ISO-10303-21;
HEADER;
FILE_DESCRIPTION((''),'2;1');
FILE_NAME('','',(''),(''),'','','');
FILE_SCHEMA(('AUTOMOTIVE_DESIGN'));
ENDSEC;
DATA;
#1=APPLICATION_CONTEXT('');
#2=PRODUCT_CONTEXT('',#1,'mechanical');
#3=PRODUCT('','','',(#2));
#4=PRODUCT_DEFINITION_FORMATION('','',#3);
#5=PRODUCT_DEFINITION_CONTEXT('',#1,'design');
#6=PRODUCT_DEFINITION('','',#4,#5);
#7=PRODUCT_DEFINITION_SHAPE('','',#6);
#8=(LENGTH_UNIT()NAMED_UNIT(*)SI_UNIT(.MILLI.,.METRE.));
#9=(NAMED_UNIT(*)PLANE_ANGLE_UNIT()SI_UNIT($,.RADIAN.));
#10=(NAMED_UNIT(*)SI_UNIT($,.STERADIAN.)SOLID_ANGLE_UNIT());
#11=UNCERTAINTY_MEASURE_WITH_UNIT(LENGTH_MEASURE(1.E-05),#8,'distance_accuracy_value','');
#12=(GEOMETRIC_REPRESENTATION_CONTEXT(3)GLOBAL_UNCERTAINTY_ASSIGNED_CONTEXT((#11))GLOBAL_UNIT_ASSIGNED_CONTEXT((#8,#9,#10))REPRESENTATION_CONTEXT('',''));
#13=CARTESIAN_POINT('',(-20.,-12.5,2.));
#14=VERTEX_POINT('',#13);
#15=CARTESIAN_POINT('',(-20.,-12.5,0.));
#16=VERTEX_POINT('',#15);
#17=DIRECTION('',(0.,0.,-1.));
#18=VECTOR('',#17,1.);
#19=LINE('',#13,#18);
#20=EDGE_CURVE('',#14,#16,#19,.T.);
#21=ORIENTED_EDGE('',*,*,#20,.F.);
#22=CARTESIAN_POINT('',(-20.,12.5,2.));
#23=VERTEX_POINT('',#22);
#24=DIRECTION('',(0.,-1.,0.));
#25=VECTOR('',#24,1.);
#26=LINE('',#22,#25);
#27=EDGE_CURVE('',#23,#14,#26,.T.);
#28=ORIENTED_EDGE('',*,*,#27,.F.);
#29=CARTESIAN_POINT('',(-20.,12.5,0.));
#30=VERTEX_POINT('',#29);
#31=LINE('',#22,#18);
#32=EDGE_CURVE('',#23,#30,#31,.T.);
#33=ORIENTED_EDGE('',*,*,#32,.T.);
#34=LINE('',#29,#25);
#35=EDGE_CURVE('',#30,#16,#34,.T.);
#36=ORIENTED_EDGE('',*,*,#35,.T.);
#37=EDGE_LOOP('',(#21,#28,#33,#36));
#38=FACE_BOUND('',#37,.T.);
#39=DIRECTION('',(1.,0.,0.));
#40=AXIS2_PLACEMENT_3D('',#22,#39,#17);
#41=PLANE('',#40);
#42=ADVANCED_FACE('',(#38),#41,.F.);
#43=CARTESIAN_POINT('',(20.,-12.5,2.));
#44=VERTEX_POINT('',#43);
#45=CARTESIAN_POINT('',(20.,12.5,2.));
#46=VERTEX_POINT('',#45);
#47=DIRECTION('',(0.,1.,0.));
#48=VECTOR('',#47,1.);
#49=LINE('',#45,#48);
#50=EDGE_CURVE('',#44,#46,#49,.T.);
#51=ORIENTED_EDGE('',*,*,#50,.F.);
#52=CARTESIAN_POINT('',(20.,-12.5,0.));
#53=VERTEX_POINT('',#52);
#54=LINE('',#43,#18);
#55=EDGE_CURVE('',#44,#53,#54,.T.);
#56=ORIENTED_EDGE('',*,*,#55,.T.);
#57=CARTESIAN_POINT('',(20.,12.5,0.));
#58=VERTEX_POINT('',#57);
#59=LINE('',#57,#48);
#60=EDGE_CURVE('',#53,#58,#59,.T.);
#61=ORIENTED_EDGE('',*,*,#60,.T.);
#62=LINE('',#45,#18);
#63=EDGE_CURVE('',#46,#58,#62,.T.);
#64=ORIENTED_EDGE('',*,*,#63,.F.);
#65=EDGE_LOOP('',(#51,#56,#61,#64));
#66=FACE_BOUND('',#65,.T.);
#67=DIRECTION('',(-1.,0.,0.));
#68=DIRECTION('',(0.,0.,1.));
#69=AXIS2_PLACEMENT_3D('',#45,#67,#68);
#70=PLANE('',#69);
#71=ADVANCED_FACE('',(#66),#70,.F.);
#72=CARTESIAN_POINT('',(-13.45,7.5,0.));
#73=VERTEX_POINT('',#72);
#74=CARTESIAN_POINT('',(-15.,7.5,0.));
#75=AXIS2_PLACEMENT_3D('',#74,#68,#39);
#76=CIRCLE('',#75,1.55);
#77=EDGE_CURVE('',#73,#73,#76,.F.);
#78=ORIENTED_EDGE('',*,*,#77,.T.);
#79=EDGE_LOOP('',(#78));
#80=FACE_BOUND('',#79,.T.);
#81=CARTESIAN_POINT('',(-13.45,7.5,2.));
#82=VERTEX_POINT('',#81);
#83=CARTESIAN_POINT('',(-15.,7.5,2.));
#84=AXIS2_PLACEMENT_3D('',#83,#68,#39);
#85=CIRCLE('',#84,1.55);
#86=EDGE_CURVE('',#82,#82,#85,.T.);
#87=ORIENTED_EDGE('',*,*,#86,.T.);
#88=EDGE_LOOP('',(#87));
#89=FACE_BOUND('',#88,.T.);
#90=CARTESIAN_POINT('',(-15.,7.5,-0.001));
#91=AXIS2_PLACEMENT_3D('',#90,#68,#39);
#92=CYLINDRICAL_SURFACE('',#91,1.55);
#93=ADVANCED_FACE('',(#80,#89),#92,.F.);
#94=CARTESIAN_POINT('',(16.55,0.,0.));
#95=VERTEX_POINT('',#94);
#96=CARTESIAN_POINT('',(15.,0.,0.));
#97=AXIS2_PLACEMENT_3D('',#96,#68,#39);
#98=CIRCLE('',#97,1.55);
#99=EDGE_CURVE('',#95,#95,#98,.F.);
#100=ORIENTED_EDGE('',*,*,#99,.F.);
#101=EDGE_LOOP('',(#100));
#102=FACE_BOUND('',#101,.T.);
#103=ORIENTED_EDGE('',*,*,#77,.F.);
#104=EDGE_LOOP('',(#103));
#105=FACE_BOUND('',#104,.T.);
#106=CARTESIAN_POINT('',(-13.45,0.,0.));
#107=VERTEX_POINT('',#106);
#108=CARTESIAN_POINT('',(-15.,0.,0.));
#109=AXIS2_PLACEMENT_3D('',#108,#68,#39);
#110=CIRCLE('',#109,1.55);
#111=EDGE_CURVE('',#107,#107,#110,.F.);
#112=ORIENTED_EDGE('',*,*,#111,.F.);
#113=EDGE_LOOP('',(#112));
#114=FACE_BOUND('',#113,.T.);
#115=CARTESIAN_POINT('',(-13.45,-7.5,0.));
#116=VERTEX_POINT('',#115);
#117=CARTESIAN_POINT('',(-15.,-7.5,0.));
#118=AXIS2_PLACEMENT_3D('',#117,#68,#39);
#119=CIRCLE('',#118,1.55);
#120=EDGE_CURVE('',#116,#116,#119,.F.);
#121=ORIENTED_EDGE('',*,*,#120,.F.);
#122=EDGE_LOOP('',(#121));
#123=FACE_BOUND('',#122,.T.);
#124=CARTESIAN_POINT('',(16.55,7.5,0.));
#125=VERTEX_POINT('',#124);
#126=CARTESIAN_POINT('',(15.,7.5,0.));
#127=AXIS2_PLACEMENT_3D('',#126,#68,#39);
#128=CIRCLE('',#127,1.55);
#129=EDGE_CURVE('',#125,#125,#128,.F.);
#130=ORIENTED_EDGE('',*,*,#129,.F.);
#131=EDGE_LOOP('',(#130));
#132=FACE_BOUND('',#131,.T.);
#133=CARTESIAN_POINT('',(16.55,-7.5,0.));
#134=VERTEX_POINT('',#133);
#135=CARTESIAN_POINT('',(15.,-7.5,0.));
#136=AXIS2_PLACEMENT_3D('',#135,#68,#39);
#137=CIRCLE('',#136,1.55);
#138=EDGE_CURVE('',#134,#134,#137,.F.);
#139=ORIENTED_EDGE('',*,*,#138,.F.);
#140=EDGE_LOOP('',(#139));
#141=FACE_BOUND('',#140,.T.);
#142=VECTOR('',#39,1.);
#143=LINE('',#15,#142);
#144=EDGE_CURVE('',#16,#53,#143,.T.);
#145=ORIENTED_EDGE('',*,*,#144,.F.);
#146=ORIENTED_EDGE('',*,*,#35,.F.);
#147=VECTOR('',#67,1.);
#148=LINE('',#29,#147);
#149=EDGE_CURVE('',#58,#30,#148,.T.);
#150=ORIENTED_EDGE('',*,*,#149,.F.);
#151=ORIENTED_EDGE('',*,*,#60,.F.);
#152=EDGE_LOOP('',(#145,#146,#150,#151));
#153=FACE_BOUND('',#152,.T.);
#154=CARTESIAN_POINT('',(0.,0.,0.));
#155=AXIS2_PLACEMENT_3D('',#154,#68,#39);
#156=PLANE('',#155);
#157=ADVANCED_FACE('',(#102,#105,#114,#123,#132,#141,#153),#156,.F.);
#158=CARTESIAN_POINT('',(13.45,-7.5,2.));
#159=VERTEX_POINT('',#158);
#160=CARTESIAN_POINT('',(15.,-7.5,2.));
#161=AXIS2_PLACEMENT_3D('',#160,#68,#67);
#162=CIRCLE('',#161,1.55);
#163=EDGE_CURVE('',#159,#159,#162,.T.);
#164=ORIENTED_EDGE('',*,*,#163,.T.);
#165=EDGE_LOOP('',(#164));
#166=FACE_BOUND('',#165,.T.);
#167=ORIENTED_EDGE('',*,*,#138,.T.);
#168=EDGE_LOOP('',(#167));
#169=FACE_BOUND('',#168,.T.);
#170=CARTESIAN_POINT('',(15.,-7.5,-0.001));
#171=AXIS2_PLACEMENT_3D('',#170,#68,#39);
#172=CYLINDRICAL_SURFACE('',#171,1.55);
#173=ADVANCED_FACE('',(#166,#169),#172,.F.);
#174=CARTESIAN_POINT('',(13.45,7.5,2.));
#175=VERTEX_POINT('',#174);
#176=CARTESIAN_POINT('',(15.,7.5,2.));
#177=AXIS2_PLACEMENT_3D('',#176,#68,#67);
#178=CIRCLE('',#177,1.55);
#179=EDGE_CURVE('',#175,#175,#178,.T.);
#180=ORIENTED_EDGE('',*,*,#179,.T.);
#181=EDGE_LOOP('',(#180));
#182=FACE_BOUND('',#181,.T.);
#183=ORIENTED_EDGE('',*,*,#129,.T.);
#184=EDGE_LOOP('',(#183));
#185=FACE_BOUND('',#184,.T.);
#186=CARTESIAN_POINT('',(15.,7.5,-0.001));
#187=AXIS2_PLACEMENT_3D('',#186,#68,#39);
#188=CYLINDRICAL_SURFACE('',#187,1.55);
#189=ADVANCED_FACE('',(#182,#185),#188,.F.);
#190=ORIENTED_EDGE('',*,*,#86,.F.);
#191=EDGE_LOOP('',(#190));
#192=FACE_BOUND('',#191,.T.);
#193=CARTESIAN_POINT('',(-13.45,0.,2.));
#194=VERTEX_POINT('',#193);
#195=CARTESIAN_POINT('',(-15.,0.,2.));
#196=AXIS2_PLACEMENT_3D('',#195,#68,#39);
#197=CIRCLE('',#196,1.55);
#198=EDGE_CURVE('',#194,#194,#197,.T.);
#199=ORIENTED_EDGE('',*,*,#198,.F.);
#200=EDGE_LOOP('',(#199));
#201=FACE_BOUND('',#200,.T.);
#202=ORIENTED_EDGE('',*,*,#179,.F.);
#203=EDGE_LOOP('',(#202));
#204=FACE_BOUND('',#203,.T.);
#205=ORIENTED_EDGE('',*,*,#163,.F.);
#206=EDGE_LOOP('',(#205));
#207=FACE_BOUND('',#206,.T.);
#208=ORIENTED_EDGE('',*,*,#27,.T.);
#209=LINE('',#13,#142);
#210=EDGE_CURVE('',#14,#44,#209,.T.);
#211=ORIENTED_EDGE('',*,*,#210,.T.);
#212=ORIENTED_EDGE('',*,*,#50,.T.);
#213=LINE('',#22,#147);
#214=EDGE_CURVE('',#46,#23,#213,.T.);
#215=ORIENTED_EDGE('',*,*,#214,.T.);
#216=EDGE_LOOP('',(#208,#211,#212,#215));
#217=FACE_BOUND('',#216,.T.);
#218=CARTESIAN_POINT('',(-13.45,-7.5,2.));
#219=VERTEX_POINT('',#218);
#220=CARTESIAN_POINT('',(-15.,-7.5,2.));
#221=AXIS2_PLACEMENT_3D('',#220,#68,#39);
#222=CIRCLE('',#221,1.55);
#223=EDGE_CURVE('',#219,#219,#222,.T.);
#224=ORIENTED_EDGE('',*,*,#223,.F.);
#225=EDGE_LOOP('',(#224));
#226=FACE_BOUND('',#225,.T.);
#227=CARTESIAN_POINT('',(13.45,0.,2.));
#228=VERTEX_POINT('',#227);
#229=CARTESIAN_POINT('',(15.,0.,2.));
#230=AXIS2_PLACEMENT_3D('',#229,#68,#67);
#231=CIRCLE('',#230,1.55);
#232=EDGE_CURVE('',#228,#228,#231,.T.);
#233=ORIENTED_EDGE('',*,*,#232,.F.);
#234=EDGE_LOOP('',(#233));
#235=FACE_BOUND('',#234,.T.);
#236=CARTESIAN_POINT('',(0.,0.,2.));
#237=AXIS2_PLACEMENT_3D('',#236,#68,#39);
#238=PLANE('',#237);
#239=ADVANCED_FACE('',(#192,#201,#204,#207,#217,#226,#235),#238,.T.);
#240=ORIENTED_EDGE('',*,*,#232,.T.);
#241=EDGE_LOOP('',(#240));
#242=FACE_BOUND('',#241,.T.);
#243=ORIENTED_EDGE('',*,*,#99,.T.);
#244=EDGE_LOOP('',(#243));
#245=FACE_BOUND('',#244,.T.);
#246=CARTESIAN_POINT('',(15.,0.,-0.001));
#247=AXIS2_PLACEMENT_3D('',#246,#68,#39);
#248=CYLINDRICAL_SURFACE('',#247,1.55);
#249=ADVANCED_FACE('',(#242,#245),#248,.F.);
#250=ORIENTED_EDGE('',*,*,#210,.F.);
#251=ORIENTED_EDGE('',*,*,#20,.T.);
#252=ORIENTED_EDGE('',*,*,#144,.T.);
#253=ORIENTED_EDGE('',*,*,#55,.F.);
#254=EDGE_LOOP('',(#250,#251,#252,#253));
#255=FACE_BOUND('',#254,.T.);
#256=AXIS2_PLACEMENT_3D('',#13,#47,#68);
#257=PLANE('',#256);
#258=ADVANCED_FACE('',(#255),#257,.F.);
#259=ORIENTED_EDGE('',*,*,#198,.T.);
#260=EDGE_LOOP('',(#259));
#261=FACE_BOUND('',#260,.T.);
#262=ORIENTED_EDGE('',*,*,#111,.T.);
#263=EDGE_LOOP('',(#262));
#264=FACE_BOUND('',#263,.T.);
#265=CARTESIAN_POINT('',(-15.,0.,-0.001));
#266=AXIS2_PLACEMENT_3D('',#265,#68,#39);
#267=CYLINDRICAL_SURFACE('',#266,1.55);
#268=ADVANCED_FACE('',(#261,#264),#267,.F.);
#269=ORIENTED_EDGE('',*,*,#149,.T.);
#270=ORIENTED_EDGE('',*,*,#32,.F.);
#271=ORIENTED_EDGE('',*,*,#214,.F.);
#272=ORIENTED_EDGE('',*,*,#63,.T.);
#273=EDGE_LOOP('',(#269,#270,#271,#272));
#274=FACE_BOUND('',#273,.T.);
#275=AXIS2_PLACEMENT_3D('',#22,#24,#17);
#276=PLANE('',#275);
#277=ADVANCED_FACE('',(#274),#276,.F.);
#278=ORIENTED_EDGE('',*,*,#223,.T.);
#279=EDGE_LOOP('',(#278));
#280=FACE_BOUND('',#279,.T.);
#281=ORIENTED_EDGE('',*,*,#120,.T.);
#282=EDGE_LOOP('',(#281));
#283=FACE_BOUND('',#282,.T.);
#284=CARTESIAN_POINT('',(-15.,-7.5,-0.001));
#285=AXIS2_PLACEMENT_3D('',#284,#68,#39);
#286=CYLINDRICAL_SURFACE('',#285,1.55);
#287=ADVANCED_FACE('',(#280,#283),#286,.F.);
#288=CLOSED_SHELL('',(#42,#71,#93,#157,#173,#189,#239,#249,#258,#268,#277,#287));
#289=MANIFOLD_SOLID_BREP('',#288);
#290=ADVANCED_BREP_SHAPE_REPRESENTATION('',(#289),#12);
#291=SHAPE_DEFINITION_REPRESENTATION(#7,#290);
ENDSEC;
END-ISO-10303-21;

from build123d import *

# Parameters (mm, degrees)
SKETCH1_W           = 40
SKETCH1_H           = 25
BOSS_EXTRUDE1_DEPTH = 2
CUT_EXTRUDE1_REACH  = 25.67
SKETCH2_R           = 1.55


with BuildPart() as part:
    # Sketch1 → Boss-Extrude1 (new body)
    with BuildSketch(Plane.XY):
        Rectangle(SKETCH1_W, SKETCH1_H)
    extrude(amount=BOSS_EXTRUDE1_DEPTH)

    # Sketch2 → Cut-Extrude1 (cut, up to next)
    with BuildSketch(Plane.XY.offset(2), mode=Mode.PRIVATE) as cut_extrude1_sk1:
        with Locations((-15, 7.5)):
            Circle(SKETCH2_R)
    cut_extrude1_tool1 = extrude(cut_extrude1_sk1.sketch, amount=-CUT_EXTRUDE1_REACH, mode=Mode.PRIVATE) & part.part
    # Sketch2 → Cut-Extrude1 (cut, up to next)
    with BuildSketch(Plane.XY.offset(2), mode=Mode.PRIVATE) as cut_extrude1_sk2:
        with Locations((-15, 0)):
            Circle(SKETCH2_R)
    cut_extrude1_tool2 = extrude(cut_extrude1_sk2.sketch, amount=-CUT_EXTRUDE1_REACH, mode=Mode.PRIVATE) & part.part
    # Sketch2 → Cut-Extrude1 (cut, up to next)
    with BuildSketch(Plane.XY.offset(2), mode=Mode.PRIVATE) as cut_extrude1_sk3:
        with Locations((-15, -7.5)):
            Circle(SKETCH2_R)
    cut_extrude1_tool3 = extrude(cut_extrude1_sk3.sketch, amount=-CUT_EXTRUDE1_REACH, mode=Mode.PRIVATE) & part.part
    # Sketch2 → Cut-Extrude1 (cut, up to next)
    with BuildSketch(Plane.XY.offset(2), mode=Mode.PRIVATE) as cut_extrude1_sk4:
        with Locations((15, -7.5)):
            Circle(SKETCH2_R)
    cut_extrude1_tool4 = extrude(cut_extrude1_sk4.sketch, amount=-CUT_EXTRUDE1_REACH, mode=Mode.PRIVATE) & part.part
    # Sketch2 → Cut-Extrude1 (cut, up to next)
    with BuildSketch(Plane.XY.offset(2), mode=Mode.PRIVATE) as cut_extrude1_sk5:
        with Locations((15, 0)):
            Circle(SKETCH2_R)
    cut_extrude1_tool5 = extrude(cut_extrude1_sk5.sketch, amount=-CUT_EXTRUDE1_REACH, mode=Mode.PRIVATE) & part.part
    # Sketch2 → Cut-Extrude1 (cut, up to next)
    with BuildSketch(Plane.XY.offset(2), mode=Mode.PRIVATE) as cut_extrude1_sk6:
        with Locations((15, 7.5)):
            Circle(SKETCH2_R)
    cut_extrude1_tool6 = extrude(cut_extrude1_sk6.sketch, amount=-CUT_EXTRUDE1_REACH, mode=Mode.PRIVATE) & part.part
    add(cut_extrude1_tool1.solids().sort_by_distance((-15, 7.5, 2))[0], mode=Mode.SUBTRACT)
    add(cut_extrude1_tool2.solids().sort_by_distance((-15, 0, 2))[0], mode=Mode.SUBTRACT)
    add(cut_extrude1_tool3.solids().sort_by_distance((-15, -7.5, 2))[0], mode=Mode.SUBTRACT)
    add(cut_extrude1_tool4.solids().sort_by_distance((15, -7.5, 2))[0], mode=Mode.SUBTRACT)
    add(cut_extrude1_tool5.solids().sort_by_distance((15, 0, 2))[0], mode=Mode.SUBTRACT)
    add(cut_extrude1_tool6.solids().sort_by_distance((15, 7.5, 2))[0], mode=Mode.SUBTRACT)


solid = part.part
